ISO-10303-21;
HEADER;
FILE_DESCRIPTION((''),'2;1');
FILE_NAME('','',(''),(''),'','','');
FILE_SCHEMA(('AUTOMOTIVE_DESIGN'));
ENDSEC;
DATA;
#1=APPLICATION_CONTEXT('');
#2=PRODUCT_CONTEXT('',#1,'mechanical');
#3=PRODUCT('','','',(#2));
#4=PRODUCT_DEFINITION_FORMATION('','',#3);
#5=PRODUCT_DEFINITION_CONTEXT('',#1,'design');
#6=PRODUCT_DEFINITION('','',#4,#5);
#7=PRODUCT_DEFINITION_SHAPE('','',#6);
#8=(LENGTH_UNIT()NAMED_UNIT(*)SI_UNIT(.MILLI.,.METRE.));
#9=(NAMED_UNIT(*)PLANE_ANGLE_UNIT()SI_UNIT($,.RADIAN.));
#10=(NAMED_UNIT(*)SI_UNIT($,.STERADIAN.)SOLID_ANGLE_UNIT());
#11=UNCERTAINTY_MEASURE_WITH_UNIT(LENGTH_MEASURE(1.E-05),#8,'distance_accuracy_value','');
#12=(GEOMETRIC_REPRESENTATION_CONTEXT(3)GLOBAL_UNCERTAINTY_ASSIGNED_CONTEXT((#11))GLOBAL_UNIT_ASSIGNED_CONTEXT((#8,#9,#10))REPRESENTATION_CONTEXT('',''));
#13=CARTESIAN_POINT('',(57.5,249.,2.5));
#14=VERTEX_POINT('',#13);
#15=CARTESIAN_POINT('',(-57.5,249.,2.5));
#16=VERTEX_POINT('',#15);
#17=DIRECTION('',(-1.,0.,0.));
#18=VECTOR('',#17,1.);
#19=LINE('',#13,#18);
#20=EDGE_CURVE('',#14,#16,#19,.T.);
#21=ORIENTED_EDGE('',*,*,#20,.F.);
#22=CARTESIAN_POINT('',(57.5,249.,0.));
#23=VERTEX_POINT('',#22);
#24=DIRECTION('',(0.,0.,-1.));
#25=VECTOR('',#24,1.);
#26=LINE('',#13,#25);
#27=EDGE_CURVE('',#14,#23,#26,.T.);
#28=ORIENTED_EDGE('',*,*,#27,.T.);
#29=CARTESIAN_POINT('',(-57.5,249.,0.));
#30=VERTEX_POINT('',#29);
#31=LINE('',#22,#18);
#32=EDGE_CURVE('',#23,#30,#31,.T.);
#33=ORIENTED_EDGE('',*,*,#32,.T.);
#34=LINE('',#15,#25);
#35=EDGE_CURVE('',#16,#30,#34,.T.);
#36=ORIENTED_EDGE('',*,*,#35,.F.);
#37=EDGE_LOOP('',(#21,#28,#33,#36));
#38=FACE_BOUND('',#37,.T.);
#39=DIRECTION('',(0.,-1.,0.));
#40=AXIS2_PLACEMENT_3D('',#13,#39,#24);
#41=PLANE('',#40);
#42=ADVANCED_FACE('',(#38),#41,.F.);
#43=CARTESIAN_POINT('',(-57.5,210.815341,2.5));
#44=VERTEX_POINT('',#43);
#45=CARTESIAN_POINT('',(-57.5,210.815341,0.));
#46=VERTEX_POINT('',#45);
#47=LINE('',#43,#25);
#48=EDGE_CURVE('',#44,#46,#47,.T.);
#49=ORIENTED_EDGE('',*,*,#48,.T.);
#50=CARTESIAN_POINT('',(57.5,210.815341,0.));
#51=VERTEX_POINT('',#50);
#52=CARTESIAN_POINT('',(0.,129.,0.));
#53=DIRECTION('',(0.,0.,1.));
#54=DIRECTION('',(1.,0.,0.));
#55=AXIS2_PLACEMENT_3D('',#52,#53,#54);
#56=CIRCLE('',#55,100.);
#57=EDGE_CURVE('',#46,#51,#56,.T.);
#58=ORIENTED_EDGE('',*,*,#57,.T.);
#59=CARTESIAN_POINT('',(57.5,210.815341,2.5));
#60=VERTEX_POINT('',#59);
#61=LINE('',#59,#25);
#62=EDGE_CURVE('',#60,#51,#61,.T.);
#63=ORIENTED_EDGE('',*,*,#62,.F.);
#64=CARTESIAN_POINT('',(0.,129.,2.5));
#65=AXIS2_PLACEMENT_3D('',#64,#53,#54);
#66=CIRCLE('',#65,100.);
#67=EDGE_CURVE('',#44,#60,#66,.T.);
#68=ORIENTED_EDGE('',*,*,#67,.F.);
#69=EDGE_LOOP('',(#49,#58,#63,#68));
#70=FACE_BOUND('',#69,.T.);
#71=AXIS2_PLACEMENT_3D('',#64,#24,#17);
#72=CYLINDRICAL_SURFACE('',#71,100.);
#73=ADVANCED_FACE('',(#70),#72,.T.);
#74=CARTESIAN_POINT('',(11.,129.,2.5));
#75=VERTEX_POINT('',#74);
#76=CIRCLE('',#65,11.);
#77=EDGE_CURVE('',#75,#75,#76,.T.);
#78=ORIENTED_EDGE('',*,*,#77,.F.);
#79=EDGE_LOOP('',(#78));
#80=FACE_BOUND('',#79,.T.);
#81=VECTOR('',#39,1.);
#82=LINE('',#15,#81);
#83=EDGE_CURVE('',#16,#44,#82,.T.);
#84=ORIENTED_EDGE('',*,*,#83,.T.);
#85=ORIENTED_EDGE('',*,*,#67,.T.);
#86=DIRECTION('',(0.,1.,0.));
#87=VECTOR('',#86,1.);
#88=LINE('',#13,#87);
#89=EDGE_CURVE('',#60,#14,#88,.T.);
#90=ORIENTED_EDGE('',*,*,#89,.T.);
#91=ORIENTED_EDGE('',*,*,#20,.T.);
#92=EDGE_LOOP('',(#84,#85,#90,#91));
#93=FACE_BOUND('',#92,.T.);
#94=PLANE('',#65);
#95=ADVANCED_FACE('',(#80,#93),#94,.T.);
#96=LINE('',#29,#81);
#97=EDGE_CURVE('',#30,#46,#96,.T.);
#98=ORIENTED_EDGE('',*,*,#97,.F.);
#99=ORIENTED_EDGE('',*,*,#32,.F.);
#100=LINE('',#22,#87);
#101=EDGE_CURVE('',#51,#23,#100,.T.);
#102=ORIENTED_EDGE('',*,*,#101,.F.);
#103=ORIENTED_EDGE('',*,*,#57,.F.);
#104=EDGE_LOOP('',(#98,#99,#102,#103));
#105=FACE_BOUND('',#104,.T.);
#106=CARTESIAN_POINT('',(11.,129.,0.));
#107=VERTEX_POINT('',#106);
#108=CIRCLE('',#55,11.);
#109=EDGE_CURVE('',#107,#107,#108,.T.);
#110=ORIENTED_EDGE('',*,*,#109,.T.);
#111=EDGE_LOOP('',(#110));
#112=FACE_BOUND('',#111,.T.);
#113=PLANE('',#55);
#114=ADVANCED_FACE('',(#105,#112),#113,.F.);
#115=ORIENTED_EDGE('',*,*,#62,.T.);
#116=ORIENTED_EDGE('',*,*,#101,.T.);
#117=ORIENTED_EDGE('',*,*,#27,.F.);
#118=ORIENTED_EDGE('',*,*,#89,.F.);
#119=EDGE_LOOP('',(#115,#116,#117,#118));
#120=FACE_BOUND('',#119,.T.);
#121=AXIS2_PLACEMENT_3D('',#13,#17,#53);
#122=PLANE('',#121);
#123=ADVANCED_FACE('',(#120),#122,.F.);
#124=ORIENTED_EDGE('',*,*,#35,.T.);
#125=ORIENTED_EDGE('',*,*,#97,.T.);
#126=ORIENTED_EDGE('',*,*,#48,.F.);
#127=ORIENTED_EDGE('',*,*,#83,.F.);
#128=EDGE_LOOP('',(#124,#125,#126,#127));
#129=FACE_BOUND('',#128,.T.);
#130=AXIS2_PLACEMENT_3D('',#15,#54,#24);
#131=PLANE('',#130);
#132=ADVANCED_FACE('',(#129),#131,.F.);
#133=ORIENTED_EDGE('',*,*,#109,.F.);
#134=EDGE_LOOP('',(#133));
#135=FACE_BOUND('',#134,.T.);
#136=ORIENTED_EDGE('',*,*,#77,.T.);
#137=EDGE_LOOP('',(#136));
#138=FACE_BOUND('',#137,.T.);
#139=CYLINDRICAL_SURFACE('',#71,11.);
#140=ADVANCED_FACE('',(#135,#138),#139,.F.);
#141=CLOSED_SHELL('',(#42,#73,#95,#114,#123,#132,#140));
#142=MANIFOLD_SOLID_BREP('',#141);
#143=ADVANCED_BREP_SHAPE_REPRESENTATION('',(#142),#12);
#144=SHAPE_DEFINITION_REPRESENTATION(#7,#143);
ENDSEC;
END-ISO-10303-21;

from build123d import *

# Parameters (mm, degrees)
SKETCH2_R           = 11
BOSS_EXTRUDE1_DEPTH = 2.5


with BuildPart() as part:
    # Sketch2 → Boss-Extrude1 (new body)
    with BuildSketch(Plane.XY):
        with BuildLine():
            Line((-57.5, 249), (-57.5, 210.81534086))
            ThreePointArc((-57.5, 210.81534086), (0, 29), (57.5, 210.81534086))
            Line((57.5, 210.81534086), (57.5, 249))
            Line((57.5, 249), (-57.5, 249))
        make_face()
        with Locations((0, 129)):
            Circle(SKETCH2_R, mode=Mode.SUBTRACT)
    extrude(amount=BOSS_EXTRUDE1_DEPTH)


solid = part.part
